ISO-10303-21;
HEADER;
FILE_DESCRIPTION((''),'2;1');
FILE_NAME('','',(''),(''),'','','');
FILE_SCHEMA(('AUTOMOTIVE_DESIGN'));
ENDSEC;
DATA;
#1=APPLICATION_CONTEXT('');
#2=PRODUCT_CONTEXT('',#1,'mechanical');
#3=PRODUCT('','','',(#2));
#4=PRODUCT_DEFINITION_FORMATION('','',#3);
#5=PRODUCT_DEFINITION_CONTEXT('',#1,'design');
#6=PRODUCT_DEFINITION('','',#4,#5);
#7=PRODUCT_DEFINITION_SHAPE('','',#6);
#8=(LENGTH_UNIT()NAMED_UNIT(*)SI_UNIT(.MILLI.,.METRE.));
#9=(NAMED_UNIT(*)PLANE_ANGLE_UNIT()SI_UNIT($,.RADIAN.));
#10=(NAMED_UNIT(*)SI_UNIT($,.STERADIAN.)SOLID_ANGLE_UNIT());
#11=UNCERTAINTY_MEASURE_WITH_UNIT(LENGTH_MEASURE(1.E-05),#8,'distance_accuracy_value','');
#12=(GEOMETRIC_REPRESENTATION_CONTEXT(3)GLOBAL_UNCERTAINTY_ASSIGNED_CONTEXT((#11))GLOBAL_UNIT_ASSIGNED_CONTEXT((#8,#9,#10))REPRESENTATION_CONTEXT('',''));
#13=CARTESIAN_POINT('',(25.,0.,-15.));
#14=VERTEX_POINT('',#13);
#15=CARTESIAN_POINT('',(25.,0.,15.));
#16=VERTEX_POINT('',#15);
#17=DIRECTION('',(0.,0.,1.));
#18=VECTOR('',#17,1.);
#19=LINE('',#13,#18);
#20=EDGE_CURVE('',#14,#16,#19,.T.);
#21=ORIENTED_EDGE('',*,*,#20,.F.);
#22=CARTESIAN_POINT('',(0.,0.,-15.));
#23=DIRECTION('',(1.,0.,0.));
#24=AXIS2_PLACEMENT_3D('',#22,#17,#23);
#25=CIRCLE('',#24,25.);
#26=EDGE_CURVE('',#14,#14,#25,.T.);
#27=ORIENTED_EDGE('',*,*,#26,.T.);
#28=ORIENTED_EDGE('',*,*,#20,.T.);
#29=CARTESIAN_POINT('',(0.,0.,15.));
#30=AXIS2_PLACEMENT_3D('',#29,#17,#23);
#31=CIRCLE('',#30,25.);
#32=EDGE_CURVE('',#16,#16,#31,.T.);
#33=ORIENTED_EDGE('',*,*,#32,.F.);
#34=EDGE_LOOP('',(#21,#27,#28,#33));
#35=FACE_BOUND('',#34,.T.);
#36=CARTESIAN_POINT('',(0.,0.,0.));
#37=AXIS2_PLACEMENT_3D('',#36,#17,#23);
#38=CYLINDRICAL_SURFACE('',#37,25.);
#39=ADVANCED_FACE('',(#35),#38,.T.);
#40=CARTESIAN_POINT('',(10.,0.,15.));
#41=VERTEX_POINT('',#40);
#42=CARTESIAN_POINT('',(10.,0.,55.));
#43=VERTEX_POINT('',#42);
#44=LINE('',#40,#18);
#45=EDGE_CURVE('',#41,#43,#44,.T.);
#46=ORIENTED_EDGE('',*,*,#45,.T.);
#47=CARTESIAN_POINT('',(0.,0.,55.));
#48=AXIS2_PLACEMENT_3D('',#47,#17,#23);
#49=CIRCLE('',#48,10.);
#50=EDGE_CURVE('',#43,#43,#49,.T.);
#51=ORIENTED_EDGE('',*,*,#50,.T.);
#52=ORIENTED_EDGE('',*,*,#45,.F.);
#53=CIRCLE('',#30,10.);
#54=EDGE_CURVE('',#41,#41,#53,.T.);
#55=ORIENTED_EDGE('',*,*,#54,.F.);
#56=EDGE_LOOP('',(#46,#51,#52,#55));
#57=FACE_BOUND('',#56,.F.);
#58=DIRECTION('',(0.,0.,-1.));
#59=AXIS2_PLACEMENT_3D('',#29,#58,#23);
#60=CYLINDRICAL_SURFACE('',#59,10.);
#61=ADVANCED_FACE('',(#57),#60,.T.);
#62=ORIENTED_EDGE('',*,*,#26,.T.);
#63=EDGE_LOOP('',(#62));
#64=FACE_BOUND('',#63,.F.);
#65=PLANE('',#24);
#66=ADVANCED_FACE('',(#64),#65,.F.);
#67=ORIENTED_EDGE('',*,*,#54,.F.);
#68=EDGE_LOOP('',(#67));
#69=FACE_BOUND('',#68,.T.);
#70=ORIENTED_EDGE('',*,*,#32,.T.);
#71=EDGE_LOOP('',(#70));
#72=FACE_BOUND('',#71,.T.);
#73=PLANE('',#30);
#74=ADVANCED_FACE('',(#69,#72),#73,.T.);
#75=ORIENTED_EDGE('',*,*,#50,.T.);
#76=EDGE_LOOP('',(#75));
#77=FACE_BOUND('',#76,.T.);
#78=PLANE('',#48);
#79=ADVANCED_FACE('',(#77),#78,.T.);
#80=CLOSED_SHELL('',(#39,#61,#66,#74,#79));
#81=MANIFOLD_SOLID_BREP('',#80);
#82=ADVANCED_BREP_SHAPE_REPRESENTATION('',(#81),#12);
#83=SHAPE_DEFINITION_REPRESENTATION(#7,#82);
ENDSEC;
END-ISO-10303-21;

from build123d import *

# Parameters (mm, degrees)
F0_R     = 25
F1_DEPTH = 15
F2_R     = 10
F3_DEPTH = 40


with BuildPart() as f1:
    # F0 (on Top) → F1 (new body, symmetric)
    with BuildSketch(Plane.XY):
        Circle(F0_R)
    extrude(amount=F1_DEPTH, both=True)

    # F2 (on face) → F3 (join)
    with BuildSketch(Plane.XY.offset(15)):
        Circle(F2_R)
    extrude(amount=F3_DEPTH)


solid = f1.part
